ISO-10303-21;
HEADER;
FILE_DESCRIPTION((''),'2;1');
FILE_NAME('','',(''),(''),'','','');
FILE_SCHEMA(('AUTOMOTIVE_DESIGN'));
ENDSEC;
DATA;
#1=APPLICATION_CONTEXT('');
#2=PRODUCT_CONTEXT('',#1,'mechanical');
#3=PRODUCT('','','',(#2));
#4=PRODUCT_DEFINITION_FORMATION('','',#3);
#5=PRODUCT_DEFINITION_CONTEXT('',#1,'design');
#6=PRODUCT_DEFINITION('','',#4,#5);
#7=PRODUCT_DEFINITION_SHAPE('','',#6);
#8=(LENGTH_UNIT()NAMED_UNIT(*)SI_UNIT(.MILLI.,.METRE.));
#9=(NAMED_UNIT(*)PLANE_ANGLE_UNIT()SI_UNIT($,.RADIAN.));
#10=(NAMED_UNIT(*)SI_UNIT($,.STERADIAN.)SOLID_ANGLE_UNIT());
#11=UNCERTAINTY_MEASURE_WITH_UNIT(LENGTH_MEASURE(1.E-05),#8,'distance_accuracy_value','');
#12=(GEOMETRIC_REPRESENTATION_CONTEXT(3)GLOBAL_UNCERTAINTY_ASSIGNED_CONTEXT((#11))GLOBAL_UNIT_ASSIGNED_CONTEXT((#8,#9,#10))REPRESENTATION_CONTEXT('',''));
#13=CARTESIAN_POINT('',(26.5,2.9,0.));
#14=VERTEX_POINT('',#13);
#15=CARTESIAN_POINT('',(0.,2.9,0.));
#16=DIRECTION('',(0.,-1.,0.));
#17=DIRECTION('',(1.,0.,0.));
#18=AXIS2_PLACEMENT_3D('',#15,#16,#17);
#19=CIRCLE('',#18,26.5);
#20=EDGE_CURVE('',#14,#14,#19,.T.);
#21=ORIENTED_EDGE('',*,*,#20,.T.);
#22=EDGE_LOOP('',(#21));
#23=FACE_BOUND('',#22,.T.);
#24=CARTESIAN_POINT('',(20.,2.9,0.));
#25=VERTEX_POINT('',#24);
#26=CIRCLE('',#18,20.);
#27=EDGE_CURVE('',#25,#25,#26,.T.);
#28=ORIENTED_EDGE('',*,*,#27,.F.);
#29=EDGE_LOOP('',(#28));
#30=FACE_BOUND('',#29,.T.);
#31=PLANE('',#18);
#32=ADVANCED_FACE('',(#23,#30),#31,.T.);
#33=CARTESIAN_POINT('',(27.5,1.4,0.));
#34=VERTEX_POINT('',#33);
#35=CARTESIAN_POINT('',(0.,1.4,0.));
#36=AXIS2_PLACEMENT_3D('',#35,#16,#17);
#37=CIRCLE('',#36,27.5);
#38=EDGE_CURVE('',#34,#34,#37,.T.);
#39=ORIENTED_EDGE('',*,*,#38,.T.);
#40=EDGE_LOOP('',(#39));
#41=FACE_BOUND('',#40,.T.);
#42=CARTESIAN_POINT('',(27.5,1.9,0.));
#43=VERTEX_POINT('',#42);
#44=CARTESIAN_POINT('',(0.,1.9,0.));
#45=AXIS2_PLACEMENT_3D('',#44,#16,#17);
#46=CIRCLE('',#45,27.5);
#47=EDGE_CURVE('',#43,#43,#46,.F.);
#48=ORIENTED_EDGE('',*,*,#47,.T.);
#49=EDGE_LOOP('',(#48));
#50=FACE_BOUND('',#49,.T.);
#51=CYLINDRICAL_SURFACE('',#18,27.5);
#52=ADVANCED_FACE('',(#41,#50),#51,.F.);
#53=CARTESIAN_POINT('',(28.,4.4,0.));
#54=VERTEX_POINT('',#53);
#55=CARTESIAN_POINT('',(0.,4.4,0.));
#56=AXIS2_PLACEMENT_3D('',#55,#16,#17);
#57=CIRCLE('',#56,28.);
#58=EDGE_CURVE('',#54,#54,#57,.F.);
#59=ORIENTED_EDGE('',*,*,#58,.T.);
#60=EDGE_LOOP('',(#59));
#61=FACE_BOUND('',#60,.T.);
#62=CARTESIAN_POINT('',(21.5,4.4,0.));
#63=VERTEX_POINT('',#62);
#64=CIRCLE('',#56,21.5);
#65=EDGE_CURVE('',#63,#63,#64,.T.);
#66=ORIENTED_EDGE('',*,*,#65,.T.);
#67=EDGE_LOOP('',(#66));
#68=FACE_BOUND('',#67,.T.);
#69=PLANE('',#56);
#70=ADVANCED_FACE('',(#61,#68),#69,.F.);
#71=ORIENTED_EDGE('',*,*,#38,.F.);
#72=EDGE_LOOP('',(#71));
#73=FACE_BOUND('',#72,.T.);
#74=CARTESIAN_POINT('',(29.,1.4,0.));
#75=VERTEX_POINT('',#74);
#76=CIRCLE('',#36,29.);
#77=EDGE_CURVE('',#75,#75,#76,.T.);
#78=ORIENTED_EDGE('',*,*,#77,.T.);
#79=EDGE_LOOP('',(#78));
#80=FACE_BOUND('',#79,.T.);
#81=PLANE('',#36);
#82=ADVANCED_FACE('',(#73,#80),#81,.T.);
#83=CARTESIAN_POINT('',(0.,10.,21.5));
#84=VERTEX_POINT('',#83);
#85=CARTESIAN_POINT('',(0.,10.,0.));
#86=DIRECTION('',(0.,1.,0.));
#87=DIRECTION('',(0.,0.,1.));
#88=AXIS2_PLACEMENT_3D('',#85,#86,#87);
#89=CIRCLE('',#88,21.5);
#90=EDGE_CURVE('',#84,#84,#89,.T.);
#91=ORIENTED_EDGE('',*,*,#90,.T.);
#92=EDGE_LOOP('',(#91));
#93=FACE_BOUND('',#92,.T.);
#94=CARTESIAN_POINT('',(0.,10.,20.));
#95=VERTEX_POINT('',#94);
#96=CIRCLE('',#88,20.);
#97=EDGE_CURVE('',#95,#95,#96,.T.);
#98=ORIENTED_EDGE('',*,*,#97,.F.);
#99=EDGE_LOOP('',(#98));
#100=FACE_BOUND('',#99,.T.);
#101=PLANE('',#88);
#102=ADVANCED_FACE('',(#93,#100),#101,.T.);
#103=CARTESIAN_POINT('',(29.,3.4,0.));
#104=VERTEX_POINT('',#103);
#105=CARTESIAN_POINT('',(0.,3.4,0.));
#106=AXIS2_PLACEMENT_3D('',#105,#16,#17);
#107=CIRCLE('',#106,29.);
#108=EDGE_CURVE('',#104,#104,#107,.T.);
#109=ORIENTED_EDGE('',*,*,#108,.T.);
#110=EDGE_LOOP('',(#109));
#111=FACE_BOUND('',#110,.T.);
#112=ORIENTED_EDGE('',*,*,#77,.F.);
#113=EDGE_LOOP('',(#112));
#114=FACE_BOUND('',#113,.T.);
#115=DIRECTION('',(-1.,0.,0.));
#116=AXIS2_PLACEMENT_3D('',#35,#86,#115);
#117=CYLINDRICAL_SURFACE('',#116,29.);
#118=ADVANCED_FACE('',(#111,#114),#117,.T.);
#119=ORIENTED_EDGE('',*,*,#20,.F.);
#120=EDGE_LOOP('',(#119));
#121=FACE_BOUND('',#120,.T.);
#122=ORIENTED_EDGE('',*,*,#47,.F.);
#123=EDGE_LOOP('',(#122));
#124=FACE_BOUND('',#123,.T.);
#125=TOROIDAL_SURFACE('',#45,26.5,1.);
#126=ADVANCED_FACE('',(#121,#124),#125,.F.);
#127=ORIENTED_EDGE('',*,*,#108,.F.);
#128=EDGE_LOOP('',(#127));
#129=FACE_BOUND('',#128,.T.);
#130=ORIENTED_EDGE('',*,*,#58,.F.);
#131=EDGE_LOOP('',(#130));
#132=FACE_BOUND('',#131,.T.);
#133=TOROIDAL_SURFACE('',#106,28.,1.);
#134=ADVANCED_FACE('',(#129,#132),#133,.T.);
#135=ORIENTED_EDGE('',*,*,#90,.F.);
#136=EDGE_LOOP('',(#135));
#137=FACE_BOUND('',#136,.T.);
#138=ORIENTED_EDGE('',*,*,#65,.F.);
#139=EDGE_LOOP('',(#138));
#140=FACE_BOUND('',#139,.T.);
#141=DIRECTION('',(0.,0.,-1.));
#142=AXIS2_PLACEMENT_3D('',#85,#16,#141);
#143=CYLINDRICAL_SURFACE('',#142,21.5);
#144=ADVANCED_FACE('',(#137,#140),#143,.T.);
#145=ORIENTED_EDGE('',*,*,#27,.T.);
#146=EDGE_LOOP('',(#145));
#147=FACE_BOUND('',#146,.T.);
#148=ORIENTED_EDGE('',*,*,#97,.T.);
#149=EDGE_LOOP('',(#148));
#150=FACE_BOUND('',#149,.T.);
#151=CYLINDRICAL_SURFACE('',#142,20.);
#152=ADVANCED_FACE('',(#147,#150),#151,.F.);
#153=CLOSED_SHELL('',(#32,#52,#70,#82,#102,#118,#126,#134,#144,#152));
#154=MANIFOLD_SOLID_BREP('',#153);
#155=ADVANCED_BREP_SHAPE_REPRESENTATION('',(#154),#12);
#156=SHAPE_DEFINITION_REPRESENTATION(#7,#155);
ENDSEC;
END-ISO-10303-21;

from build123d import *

# Parameters (mm, degrees)
SKETCH1_R                = 21.5
SKETCH1_R_2              = 20
BOSS_EXTRUDE1_DEPTH      = 10
CUT_EXTRUDE1_DEPTH       = 24
CUT_EXTRUDE1_DEPTH_BACK  = 27
SKETCH3_W                = 51.96152563
SKETCH3_H                = 7.978608452
BOSS_EXTRUDE2_DEPTH      = 1.5
BOSS_EXTRUDE2_DEPTH_BACK = 1.5
SKETCH4_R                = 29
SKETCH4_R_2              = 20
SKETCH6_R                = 27.5
CUT_EXTRUDE2_DEPTH       = 1.5
FILLET1_R                = 1


with BuildPart() as part:
    # Sketch1 → Boss-Extrude1 (new body)
    with BuildSketch(Plane(origin=(0, 0, 0), x_dir=(1, 0, 0), z_dir=(0, 1, 0))):
        Circle(SKETCH1_R)
        Circle(SKETCH1_R_2, mode=Mode.SUBTRACT)
    extrude(amount=BOSS_EXTRUDE1_DEPTH)

    # Sketch3 → Cut-Extrude1 (cut, two sides: drawn at the far end of the back side and taken through both)
    with BuildSketch(Plane.XY.offset(-CUT_EXTRUDE1_DEPTH_BACK)):
        with Locations((-1.240371902, -1.089304226)):
            Rectangle(SKETCH3_W, SKETCH3_H)
    extrude(amount=CUT_EXTRUDE1_DEPTH + CUT_EXTRUDE1_DEPTH_BACK, mode=Mode.SUBTRACT)

    # Sketch4 → Boss-Extrude2 (add, two sides: drawn at the far end of the back side and taken through both)
    with BuildSketch(Plane.XZ.offset(-2.9).offset(-BOSS_EXTRUDE2_DEPTH_BACK)):
        Circle(SKETCH4_R)
        Circle(SKETCH4_R_2, mode=Mode.SUBTRACT)
    extrude(amount=BOSS_EXTRUDE2_DEPTH + BOSS_EXTRUDE2_DEPTH_BACK)

    # Sketch6 → Cut-Extrude2 (cut)
    with BuildSketch(Plane.XZ.offset(-1.4)):
        Circle(SKETCH6_R)
    extrude(amount=-CUT_EXTRUDE2_DEPTH, mode=Mode.SUBTRACT)

    # Fillet1
    fillet1_edges = [part.edges().sort_by_distance(p)[0] for p in [
        (-29, 4.4, 0),
        (-27.5, 2.9, 0),
    ]]
    fillet(fillet1_edges, radius=FILLET1_R)


solid = part.part
